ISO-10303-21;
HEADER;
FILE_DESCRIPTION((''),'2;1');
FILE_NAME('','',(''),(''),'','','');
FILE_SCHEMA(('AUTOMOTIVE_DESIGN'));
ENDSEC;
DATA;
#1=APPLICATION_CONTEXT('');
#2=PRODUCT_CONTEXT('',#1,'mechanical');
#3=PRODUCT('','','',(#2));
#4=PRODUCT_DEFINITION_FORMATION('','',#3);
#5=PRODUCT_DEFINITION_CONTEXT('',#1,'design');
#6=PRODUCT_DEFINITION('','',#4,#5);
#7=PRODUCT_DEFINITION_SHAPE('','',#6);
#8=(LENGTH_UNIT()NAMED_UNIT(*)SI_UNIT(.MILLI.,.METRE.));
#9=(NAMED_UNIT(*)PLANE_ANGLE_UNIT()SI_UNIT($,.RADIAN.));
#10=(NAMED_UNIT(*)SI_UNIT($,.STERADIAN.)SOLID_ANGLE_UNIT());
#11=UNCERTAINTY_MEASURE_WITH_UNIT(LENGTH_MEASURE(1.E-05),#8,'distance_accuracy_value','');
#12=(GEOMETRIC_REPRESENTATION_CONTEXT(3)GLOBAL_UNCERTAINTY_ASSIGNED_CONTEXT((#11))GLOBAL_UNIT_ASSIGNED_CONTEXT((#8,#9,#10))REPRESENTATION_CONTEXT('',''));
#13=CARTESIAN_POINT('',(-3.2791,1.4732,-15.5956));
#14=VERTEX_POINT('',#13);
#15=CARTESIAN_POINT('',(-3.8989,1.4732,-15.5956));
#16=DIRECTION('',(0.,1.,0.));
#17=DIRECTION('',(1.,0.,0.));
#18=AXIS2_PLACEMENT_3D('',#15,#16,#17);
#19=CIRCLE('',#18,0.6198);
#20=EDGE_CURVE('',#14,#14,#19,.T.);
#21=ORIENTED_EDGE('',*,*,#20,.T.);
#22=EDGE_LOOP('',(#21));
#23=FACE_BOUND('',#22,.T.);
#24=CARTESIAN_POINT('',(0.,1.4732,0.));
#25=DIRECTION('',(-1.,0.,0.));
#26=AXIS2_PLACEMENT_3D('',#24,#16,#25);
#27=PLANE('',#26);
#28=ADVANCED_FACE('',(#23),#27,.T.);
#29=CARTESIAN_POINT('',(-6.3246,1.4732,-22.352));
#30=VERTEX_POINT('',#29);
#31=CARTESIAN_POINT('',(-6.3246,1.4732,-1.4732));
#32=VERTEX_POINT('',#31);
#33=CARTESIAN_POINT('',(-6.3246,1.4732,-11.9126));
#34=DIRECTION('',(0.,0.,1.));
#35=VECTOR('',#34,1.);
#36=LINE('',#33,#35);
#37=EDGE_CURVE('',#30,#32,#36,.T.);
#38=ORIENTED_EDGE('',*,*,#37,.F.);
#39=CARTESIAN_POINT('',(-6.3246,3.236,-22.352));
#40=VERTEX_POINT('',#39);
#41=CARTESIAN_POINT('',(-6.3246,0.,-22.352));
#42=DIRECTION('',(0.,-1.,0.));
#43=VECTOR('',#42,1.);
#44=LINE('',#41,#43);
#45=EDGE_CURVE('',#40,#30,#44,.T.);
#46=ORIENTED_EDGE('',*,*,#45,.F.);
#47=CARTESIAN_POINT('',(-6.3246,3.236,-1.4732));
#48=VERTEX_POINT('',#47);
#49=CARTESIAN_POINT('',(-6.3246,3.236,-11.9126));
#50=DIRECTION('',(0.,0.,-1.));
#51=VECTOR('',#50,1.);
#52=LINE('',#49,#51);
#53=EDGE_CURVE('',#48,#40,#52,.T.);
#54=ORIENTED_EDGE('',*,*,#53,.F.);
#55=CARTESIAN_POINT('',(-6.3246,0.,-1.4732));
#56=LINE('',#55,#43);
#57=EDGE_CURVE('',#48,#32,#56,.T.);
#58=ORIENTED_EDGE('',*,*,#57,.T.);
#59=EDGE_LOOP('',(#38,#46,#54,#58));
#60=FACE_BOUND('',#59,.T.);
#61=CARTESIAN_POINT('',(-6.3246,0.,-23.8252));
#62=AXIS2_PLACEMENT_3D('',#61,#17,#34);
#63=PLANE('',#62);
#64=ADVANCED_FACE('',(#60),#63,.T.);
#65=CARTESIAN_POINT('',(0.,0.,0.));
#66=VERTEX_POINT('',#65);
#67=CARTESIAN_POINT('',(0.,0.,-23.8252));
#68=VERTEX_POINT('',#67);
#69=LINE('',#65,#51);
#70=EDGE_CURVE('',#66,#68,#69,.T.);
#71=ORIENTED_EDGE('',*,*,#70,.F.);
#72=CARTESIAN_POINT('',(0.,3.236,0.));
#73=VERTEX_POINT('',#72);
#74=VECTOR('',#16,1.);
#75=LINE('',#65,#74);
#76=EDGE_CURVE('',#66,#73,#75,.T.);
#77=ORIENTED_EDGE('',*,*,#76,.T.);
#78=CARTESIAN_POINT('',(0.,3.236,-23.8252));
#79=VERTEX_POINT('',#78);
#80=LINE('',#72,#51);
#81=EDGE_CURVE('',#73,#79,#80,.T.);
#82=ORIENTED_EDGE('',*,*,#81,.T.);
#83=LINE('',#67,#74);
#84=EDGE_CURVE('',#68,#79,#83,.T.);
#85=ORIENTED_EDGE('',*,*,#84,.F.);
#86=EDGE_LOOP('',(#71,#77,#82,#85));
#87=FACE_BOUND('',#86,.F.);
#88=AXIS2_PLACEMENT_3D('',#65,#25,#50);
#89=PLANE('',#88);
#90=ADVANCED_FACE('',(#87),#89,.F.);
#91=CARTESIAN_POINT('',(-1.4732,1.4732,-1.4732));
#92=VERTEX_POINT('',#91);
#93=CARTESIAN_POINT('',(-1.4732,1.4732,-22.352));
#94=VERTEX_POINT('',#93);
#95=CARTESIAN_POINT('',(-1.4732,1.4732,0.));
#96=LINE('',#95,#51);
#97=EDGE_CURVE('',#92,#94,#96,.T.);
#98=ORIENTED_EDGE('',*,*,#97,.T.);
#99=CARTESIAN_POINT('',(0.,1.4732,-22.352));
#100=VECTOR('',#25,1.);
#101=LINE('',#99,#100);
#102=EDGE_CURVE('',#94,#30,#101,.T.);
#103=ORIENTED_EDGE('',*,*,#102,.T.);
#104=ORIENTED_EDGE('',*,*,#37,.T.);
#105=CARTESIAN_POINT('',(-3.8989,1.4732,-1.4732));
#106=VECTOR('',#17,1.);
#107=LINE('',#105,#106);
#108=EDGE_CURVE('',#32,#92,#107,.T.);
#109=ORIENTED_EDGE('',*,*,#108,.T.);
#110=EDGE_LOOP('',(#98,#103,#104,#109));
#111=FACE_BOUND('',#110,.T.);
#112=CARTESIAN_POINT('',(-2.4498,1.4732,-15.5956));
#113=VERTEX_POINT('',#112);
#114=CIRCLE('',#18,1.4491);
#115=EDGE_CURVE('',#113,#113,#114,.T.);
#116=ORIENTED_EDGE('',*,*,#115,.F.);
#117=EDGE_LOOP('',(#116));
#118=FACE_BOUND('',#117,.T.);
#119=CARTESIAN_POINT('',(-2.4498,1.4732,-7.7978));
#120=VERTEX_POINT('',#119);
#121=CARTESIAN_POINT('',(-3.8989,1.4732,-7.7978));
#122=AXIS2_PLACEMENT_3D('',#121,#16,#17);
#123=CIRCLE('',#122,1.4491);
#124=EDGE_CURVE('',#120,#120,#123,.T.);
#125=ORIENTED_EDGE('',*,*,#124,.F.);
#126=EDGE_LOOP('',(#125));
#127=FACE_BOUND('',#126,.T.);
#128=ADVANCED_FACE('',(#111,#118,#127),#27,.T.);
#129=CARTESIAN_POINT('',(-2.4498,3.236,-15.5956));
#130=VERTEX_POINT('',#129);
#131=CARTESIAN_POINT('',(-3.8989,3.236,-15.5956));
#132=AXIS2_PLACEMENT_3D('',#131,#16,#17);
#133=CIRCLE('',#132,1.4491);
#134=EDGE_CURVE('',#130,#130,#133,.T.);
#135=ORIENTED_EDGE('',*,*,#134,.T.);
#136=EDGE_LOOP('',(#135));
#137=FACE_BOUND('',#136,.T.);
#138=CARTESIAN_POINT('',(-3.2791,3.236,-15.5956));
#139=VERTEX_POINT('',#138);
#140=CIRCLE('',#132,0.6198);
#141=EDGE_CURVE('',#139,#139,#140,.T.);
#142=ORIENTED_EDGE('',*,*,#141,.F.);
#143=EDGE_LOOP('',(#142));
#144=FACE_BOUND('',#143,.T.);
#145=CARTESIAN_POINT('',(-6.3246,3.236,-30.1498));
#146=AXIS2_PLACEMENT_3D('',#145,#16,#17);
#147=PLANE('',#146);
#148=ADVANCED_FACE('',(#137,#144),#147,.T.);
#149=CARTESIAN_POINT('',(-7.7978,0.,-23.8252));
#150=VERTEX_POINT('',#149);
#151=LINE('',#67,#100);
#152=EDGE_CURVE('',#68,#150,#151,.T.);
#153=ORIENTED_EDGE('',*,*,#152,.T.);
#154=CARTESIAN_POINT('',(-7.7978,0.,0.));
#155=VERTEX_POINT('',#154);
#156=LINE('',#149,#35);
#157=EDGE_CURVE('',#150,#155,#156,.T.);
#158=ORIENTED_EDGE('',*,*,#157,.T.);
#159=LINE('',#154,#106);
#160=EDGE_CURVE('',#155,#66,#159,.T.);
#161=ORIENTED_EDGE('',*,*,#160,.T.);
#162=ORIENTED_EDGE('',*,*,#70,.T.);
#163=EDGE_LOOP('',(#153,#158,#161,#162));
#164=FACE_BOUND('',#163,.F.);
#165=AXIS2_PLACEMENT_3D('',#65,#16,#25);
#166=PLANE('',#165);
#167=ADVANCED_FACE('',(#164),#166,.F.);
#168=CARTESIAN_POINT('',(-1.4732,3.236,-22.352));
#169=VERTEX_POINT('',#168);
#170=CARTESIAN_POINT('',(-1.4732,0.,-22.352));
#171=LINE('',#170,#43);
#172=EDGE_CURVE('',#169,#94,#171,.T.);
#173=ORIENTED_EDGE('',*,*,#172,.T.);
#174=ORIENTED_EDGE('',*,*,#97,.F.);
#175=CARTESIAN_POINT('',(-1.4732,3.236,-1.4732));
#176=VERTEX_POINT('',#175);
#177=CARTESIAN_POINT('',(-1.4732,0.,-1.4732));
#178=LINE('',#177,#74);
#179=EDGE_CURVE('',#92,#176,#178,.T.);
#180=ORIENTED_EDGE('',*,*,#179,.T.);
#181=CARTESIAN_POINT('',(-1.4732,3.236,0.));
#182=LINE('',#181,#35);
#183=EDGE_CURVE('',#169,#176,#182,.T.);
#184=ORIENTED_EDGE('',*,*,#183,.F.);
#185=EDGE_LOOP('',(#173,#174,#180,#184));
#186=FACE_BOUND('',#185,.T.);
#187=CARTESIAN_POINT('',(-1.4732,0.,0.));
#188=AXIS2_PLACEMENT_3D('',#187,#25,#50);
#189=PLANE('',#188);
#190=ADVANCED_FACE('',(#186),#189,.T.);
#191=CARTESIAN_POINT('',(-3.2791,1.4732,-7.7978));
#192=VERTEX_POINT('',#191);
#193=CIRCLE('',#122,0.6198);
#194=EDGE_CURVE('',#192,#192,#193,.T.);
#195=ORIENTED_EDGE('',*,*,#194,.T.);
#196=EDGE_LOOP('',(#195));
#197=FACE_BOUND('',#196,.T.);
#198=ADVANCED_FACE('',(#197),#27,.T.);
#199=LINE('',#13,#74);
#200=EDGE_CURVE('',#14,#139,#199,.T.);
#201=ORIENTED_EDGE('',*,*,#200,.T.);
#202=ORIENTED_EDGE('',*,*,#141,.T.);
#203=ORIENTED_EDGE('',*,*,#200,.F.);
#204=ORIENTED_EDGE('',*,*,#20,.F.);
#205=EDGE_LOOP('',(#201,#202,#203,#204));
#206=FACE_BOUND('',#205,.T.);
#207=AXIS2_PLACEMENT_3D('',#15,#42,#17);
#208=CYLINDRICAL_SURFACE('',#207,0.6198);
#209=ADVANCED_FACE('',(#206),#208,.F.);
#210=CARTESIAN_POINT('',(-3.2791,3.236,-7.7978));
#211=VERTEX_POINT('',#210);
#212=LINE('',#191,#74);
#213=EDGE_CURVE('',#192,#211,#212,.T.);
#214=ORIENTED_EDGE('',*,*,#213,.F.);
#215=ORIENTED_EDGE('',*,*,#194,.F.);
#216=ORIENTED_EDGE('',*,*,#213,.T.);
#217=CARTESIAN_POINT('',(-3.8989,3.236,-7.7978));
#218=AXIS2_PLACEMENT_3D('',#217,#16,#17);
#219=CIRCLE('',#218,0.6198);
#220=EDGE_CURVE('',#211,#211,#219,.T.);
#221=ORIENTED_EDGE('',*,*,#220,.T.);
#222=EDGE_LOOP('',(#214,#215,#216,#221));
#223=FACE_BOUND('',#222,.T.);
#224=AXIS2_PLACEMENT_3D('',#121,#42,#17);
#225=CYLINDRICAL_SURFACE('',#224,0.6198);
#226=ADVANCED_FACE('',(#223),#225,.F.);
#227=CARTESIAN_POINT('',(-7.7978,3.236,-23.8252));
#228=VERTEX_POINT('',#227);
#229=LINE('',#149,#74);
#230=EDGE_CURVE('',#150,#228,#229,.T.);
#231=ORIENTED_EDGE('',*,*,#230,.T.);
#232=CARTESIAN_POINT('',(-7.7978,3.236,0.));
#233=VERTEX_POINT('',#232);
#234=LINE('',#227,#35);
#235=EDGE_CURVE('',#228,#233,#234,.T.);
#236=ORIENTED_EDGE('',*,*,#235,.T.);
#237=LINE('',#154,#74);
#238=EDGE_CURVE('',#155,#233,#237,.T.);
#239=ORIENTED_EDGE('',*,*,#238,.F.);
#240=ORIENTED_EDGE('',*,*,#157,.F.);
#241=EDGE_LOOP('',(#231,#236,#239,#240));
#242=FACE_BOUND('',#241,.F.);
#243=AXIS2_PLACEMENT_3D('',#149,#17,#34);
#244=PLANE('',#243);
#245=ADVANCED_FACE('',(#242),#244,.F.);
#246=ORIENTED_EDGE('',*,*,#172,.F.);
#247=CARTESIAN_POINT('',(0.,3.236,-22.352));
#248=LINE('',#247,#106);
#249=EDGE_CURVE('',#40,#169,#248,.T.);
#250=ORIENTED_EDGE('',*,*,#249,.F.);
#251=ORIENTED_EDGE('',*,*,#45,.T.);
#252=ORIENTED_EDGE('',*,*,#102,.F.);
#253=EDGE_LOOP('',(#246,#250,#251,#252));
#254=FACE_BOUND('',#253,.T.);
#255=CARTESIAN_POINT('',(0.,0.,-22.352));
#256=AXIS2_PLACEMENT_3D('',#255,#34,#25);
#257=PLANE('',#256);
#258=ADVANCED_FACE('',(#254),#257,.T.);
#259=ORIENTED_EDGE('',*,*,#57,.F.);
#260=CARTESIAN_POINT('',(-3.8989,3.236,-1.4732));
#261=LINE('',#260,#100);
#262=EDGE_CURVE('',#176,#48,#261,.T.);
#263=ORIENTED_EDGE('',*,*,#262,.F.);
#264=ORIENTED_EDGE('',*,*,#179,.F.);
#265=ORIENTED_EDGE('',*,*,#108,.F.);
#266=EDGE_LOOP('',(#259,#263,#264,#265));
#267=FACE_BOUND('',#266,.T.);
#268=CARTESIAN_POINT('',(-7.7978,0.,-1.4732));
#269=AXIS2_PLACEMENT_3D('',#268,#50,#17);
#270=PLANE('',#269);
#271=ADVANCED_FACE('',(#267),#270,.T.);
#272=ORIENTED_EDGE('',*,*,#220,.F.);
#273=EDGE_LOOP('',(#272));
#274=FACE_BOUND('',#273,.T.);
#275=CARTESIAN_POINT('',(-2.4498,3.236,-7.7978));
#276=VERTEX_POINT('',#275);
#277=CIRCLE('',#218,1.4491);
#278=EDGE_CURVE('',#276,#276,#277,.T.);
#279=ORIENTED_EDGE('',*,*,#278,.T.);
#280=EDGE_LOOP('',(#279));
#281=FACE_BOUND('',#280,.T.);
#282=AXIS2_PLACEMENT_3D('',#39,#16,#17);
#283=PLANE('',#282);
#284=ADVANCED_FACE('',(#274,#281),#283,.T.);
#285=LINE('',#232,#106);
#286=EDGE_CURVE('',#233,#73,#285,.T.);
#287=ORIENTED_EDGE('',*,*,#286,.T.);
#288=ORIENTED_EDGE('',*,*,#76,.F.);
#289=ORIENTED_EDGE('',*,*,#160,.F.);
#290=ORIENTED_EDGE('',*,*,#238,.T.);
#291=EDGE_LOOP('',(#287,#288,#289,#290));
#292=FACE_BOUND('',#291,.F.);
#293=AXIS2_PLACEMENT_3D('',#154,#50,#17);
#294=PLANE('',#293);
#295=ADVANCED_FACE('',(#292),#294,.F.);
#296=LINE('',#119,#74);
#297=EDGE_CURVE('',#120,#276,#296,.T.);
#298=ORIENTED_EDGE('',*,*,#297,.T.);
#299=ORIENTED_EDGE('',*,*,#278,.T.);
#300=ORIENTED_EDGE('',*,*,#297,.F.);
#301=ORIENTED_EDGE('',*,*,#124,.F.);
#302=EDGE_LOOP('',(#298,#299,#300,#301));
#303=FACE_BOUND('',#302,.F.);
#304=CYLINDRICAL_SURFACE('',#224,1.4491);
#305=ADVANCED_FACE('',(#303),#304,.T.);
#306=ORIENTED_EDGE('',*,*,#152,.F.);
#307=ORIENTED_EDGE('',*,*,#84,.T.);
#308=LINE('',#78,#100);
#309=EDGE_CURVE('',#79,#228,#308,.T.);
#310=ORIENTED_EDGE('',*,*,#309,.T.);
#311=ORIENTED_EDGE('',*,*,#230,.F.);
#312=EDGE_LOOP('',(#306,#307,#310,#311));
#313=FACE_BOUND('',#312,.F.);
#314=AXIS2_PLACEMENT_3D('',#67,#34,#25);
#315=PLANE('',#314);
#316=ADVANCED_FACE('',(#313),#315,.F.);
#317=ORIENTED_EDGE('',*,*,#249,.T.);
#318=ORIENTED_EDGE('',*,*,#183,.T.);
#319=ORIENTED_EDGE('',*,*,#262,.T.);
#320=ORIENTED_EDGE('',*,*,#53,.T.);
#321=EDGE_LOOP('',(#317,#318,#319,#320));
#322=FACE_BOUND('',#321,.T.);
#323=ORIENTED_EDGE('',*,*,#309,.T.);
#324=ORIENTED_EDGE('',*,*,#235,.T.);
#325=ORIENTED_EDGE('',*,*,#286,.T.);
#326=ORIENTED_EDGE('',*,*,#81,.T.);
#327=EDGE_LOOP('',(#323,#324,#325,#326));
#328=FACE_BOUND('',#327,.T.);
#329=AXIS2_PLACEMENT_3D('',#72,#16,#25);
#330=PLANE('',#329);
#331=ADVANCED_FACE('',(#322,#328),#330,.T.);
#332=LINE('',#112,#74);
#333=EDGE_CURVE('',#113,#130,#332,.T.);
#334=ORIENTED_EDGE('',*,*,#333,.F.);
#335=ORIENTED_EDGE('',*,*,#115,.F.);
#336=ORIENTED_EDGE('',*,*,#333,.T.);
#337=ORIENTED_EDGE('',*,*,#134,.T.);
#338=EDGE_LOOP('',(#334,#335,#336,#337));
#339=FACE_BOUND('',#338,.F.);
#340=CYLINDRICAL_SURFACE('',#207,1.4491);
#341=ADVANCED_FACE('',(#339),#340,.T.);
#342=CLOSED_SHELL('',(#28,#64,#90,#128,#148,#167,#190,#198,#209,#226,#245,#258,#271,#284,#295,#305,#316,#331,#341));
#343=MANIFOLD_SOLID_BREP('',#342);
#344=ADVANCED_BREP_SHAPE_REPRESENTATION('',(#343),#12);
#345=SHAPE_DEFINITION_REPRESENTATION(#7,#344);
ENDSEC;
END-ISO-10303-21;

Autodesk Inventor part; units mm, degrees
ref_plane "YZ Plane" through (0, 0, 0) normal (1, 0, 0) x (0, 1, 0)
ref_plane "XZ Plane" through (0, 0, 0) normal (0, 1, 0) x (-1, 0, 0)
ref_plane "XY Plane" through (0, 0, 0) normal (0, 0, 1) x (1, 0, 0)
sketch "Sketch1" plane through (0, 0, 0) normal (0, 1, 0) x (-1, 0, 0)
  line L0 (0, 0) -> (0, -23.8252)
  line L1 (0, -23.8252) -> (7.7978, -23.8252)
  line L2 (7.7978, -23.8252) -> (7.7978, 0)
  line L3 (7.7978, 0) -> (0, 0)
  dimension "d0" = 23.8252
  dimension "d1" = 7.7978
extrude "Extrusion1" add sketch "Sketch1" along normal blind 3.236
shell "Shell1" thickness 1.4732 removed faces 1 at (-2.5993, 3.236, -7.9417)
sketch "Sketch3" plane through (-6.3246, 1.4732, -22.352) normal (0, 1, 0) x (1, 0, 0)
  point P0 (6.3246, -22.352)
sketch "Sketch4" plane through (-6.3246, 1.4732, -22.352) normal (0, 1, 0) x (1, 0, 0)
  line L0 (6.3246, -22.352) -> (2.4257, -22.352) construction
  line L1 (2.4257, -22.352) -> (2.4257, -18.4531) construction
  line L2 (2.4257, -18.4531) -> (6.3246, -18.4531) construction
  line L3 (6.3246, -18.4531) -> (6.3246, -22.352) construction
  circle A0 centre (2.4257, -18.4531) radius 2.4498 construction
  circle A1 centre (2.4257, -10.6553) radius 2.4498 construction
  line L4 (2.4257, -18.4531) -> (2.4257, -10.6553) construction
  circle A2 centre (2.4257, -14.5542) radius 1.4491
  circle A3 centre (2.4257, -14.5542) radius 0.6198
  dimension "d5" = 3.8989
  dimension "d6" = 3.8989
  dimension "d7" = 4.8997
  dimension "d10" = 7.7978
  dimension "d15" = 1.2395
extrude "Extrusion2" add sketch "Sketch4" along normal up to surface (1.7628 mm away)
pattern_linear "Rectangular Pattern1" count 2 spacing 7.7978 along (0, 0, -1) of "Extrusion2"
properties part number "1x3 short orange smooth" material "ABS Plastic"
